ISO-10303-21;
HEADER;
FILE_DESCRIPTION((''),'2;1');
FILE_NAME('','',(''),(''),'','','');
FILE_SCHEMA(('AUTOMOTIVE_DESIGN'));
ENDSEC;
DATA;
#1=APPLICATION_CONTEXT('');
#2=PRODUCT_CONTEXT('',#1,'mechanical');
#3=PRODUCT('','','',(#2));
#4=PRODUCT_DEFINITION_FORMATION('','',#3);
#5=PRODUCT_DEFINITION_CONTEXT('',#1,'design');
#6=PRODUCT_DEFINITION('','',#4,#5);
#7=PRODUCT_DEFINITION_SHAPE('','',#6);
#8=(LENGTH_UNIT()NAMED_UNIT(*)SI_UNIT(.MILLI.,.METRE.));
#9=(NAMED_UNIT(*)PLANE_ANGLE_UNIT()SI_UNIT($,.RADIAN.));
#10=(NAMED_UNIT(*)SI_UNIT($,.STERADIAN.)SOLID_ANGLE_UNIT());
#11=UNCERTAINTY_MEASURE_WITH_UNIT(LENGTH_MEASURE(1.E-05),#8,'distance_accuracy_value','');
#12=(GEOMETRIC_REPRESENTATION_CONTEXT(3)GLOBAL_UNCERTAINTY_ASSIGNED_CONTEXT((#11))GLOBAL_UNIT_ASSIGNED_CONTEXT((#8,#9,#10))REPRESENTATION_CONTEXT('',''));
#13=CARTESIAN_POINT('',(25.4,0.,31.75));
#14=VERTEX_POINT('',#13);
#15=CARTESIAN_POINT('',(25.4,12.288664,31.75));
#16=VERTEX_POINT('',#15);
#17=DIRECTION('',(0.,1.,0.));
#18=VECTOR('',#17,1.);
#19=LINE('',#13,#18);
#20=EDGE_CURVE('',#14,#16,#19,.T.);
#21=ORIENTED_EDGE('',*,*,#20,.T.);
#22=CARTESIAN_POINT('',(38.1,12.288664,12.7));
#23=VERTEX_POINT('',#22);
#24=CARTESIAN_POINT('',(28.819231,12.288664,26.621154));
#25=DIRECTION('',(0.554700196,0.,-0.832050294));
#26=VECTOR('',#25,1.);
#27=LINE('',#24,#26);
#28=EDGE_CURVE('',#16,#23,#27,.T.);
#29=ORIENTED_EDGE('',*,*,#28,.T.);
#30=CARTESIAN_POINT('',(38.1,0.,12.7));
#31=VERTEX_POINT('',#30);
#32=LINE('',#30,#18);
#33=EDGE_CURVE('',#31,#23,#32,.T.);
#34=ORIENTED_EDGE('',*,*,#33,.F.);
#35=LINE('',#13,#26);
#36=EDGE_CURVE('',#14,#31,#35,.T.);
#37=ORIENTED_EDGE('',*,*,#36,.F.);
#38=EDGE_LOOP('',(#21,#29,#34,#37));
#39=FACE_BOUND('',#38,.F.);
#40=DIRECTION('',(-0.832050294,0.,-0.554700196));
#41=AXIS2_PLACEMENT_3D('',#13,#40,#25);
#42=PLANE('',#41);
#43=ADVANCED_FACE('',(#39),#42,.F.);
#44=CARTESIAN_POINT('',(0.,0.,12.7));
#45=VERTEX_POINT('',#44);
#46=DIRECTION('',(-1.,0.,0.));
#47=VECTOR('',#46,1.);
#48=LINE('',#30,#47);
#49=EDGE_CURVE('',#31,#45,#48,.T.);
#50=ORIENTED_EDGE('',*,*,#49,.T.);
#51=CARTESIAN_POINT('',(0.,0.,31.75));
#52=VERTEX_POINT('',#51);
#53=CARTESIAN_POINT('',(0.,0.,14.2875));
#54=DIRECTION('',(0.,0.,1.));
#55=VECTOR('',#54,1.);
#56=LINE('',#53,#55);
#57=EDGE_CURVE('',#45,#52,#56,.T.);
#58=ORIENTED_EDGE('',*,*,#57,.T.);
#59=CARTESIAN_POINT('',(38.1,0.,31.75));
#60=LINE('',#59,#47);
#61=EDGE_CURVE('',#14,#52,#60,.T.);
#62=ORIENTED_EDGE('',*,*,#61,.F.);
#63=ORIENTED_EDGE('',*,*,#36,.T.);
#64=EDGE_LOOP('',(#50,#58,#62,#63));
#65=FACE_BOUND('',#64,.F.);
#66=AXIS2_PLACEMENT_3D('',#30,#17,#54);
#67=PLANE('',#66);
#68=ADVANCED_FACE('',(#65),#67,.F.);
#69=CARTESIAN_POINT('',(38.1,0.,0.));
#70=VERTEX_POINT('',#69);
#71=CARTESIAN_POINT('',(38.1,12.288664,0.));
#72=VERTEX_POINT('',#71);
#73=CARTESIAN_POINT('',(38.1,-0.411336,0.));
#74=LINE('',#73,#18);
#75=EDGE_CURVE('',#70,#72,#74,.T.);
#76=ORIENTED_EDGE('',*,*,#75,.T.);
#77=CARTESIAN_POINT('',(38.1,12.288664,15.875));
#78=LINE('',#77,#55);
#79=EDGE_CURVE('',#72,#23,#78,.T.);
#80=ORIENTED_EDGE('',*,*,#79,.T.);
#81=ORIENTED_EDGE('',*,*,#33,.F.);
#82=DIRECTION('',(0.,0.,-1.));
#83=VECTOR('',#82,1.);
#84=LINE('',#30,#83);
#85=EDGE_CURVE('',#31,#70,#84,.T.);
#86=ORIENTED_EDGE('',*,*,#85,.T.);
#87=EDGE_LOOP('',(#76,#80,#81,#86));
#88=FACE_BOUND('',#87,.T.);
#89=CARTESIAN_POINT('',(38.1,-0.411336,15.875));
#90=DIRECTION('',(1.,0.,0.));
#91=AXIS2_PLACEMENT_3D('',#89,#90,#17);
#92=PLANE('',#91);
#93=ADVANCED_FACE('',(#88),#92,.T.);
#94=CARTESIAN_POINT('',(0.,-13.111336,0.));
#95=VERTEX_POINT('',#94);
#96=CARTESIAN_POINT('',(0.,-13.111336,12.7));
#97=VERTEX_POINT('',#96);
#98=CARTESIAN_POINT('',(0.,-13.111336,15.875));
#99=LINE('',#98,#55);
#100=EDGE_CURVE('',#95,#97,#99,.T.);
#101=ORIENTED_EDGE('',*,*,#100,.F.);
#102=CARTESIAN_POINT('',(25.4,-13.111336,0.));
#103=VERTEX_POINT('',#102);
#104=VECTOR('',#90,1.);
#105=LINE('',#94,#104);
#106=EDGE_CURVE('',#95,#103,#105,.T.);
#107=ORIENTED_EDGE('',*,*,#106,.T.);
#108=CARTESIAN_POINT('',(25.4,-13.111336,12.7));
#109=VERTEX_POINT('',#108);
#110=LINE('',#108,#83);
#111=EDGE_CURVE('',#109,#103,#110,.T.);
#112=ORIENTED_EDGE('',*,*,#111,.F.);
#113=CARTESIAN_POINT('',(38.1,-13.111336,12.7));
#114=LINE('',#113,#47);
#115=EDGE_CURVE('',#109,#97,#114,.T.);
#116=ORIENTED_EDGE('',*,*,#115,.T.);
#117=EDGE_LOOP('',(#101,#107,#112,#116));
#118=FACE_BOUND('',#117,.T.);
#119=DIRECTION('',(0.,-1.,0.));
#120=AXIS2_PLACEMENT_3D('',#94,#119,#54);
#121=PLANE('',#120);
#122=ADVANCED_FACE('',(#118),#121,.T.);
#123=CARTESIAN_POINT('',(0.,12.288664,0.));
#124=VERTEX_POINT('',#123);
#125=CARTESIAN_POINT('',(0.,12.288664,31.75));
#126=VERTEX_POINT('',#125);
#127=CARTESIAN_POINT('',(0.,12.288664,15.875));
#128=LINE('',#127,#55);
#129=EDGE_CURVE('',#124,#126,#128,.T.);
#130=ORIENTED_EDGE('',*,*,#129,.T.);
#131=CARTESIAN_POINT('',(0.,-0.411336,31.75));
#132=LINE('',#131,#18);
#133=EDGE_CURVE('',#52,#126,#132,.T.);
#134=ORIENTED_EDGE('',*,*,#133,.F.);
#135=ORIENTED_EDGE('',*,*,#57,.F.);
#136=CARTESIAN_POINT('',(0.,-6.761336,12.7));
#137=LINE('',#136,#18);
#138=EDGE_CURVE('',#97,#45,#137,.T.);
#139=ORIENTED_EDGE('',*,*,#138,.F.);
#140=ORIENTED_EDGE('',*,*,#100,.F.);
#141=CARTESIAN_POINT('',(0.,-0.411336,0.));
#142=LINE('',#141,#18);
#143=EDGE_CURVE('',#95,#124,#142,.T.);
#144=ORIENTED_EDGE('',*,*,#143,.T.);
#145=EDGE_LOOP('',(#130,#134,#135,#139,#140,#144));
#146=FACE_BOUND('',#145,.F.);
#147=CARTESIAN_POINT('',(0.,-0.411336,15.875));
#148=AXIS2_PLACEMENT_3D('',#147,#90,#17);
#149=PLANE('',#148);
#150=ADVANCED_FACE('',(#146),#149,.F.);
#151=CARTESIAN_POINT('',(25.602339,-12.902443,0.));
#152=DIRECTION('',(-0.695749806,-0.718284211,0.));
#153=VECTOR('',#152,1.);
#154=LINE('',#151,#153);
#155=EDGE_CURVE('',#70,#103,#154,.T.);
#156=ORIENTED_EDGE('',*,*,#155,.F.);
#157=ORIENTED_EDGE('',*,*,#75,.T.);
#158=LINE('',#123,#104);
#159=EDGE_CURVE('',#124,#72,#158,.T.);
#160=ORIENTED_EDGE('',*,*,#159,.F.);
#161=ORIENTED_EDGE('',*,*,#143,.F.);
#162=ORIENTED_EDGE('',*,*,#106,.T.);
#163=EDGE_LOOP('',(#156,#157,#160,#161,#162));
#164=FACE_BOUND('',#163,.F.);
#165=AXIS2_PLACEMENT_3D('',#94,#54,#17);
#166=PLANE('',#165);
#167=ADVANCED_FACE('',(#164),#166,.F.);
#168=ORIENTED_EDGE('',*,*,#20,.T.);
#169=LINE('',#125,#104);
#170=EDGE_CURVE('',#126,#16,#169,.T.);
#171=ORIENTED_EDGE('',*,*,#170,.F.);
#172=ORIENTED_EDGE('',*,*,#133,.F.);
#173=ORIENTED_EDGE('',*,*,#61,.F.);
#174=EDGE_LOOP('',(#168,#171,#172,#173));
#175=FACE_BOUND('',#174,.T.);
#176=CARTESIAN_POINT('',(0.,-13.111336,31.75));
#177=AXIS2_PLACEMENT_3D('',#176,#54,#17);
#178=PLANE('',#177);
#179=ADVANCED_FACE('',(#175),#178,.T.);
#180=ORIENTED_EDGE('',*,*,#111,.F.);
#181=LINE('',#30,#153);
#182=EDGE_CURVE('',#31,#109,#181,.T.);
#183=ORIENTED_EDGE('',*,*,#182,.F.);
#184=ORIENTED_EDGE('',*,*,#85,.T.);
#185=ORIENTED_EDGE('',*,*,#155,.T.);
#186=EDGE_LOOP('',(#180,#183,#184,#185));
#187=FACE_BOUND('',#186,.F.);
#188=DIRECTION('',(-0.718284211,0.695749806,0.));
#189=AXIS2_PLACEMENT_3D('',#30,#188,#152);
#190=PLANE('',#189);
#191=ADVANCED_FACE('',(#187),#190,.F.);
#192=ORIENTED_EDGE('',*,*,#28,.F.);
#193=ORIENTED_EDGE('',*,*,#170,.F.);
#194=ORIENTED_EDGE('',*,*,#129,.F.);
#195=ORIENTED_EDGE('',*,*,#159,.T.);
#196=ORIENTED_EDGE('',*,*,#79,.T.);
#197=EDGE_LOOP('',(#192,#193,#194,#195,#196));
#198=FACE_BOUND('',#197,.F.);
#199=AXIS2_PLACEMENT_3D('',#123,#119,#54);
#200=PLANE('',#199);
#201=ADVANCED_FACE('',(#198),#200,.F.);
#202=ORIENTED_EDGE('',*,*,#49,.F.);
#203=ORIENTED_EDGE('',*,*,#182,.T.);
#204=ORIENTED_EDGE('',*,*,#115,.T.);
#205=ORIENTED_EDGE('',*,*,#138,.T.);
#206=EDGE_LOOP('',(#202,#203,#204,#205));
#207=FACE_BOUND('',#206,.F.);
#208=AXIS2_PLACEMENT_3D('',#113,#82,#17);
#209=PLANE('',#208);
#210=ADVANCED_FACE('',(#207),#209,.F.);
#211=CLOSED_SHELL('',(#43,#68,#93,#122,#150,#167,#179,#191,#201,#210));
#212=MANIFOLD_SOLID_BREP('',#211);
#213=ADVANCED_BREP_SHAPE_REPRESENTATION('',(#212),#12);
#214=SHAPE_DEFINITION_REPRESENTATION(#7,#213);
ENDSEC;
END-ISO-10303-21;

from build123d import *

# Parameters (mm, degrees)
F0_W     = 25.4
F0_H     = 31.75
F1_DEPTH = 38.1
F2_W     = 13.111336
F2_H     = 19.05
F3_DEPTH = 38.101
F5_DEPTH = 12.289664
F7_DEPTH = 25.4


with BuildPart() as f1:
    # F0 (on Right) → F1 (new body)
    with BuildSketch(Plane.YZ):
        with Locations((-0.411336, 15.875)):
            Rectangle(F0_W, F0_H)
    extrude(amount=F1_DEPTH)

    # F2 (on face) → F3 (cut, through all)
    with BuildSketch(Plane.YZ.offset(38.1)):
        with Locations((-6.555668, 22.225)):
            Rectangle(F2_W, F2_H)
    extrude(amount=-F3_DEPTH, mode=Mode.SUBTRACT)

    # F4 (on face) → F5 (cut, through all)
    with BuildSketch(Plane.XZ):
        Polygon((25.4, 31.75), (38.1, 12.7), (38.1, 31.75), align=None)
    extrude(amount=-F5_DEPTH, mode=Mode.SUBTRACT)

    # F6 (on face) → F7 (cut)
    with BuildSketch(Plane.XY.offset(12.7)):
        Polygon((38.1, -13.111336), (38.1, 0), (25.4, -13.111336), align=None)
    extrude(amount=-F7_DEPTH, mode=Mode.SUBTRACT)


solid = f1.part
